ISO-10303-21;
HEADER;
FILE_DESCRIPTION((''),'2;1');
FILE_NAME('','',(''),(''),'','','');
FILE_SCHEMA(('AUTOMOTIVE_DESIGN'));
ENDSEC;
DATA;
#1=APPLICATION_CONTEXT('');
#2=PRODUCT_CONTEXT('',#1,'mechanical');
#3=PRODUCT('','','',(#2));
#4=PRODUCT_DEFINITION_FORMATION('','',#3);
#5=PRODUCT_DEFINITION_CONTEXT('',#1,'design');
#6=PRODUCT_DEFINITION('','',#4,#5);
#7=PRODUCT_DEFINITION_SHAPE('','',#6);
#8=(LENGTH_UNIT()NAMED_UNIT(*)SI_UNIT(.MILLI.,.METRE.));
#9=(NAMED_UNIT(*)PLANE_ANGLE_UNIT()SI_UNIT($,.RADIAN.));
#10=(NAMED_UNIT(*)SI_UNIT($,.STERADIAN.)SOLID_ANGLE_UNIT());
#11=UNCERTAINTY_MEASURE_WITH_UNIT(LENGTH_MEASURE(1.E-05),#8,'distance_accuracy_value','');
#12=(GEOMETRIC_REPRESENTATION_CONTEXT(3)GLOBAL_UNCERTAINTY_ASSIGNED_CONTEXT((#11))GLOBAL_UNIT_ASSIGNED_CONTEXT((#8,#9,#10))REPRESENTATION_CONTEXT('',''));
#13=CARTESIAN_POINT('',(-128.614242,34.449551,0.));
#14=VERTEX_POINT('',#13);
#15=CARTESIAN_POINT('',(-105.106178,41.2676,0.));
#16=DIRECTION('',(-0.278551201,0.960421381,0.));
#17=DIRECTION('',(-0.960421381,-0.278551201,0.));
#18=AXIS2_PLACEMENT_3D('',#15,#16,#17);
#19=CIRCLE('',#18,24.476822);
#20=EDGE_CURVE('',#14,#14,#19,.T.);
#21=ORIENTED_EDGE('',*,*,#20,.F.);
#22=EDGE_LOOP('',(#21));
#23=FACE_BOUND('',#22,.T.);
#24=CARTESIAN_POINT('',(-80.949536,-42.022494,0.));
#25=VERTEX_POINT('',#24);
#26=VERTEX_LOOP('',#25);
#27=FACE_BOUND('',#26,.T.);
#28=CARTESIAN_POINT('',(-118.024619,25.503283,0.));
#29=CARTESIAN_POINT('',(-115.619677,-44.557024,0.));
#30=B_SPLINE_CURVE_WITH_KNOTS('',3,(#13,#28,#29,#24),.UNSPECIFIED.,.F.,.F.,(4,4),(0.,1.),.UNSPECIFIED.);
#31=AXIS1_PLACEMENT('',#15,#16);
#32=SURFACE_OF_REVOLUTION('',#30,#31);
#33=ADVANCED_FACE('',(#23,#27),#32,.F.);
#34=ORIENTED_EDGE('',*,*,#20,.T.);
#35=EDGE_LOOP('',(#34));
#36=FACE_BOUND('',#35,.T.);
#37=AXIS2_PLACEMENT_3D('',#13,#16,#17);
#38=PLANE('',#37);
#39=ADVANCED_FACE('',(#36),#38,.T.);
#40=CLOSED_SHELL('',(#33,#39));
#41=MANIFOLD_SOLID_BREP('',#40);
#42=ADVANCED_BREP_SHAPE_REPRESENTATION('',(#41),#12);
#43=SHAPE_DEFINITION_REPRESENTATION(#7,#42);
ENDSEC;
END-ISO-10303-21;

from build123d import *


with BuildPart() as part:
    # Croquis1 → Revolución1 (revolve)
    with BuildSketch(Plane.XY):
        with BuildLine():
            Line((-128.614241961, 34.449551325), (-105.106178469, 41.26759957))
            Line((-105.106178469, 41.26759957), (-80.949536358, -42.022494031))
            add(Edge.make_bspline(
                [(-128.614241961, 34.449551325), (-118.024618976, 25.503282758), (-115.619677289, -44.557023661), (-80.949536358, -42.022494031)],
                knots=[0, 0, 0, 0, 1, 1, 1, 1], degree=3))
        make_face()
    revolve(axis=Axis((-105.106178469, 41.26759957, 0), (0.278551201, -0.960421381, 0)))


solid = part.part
